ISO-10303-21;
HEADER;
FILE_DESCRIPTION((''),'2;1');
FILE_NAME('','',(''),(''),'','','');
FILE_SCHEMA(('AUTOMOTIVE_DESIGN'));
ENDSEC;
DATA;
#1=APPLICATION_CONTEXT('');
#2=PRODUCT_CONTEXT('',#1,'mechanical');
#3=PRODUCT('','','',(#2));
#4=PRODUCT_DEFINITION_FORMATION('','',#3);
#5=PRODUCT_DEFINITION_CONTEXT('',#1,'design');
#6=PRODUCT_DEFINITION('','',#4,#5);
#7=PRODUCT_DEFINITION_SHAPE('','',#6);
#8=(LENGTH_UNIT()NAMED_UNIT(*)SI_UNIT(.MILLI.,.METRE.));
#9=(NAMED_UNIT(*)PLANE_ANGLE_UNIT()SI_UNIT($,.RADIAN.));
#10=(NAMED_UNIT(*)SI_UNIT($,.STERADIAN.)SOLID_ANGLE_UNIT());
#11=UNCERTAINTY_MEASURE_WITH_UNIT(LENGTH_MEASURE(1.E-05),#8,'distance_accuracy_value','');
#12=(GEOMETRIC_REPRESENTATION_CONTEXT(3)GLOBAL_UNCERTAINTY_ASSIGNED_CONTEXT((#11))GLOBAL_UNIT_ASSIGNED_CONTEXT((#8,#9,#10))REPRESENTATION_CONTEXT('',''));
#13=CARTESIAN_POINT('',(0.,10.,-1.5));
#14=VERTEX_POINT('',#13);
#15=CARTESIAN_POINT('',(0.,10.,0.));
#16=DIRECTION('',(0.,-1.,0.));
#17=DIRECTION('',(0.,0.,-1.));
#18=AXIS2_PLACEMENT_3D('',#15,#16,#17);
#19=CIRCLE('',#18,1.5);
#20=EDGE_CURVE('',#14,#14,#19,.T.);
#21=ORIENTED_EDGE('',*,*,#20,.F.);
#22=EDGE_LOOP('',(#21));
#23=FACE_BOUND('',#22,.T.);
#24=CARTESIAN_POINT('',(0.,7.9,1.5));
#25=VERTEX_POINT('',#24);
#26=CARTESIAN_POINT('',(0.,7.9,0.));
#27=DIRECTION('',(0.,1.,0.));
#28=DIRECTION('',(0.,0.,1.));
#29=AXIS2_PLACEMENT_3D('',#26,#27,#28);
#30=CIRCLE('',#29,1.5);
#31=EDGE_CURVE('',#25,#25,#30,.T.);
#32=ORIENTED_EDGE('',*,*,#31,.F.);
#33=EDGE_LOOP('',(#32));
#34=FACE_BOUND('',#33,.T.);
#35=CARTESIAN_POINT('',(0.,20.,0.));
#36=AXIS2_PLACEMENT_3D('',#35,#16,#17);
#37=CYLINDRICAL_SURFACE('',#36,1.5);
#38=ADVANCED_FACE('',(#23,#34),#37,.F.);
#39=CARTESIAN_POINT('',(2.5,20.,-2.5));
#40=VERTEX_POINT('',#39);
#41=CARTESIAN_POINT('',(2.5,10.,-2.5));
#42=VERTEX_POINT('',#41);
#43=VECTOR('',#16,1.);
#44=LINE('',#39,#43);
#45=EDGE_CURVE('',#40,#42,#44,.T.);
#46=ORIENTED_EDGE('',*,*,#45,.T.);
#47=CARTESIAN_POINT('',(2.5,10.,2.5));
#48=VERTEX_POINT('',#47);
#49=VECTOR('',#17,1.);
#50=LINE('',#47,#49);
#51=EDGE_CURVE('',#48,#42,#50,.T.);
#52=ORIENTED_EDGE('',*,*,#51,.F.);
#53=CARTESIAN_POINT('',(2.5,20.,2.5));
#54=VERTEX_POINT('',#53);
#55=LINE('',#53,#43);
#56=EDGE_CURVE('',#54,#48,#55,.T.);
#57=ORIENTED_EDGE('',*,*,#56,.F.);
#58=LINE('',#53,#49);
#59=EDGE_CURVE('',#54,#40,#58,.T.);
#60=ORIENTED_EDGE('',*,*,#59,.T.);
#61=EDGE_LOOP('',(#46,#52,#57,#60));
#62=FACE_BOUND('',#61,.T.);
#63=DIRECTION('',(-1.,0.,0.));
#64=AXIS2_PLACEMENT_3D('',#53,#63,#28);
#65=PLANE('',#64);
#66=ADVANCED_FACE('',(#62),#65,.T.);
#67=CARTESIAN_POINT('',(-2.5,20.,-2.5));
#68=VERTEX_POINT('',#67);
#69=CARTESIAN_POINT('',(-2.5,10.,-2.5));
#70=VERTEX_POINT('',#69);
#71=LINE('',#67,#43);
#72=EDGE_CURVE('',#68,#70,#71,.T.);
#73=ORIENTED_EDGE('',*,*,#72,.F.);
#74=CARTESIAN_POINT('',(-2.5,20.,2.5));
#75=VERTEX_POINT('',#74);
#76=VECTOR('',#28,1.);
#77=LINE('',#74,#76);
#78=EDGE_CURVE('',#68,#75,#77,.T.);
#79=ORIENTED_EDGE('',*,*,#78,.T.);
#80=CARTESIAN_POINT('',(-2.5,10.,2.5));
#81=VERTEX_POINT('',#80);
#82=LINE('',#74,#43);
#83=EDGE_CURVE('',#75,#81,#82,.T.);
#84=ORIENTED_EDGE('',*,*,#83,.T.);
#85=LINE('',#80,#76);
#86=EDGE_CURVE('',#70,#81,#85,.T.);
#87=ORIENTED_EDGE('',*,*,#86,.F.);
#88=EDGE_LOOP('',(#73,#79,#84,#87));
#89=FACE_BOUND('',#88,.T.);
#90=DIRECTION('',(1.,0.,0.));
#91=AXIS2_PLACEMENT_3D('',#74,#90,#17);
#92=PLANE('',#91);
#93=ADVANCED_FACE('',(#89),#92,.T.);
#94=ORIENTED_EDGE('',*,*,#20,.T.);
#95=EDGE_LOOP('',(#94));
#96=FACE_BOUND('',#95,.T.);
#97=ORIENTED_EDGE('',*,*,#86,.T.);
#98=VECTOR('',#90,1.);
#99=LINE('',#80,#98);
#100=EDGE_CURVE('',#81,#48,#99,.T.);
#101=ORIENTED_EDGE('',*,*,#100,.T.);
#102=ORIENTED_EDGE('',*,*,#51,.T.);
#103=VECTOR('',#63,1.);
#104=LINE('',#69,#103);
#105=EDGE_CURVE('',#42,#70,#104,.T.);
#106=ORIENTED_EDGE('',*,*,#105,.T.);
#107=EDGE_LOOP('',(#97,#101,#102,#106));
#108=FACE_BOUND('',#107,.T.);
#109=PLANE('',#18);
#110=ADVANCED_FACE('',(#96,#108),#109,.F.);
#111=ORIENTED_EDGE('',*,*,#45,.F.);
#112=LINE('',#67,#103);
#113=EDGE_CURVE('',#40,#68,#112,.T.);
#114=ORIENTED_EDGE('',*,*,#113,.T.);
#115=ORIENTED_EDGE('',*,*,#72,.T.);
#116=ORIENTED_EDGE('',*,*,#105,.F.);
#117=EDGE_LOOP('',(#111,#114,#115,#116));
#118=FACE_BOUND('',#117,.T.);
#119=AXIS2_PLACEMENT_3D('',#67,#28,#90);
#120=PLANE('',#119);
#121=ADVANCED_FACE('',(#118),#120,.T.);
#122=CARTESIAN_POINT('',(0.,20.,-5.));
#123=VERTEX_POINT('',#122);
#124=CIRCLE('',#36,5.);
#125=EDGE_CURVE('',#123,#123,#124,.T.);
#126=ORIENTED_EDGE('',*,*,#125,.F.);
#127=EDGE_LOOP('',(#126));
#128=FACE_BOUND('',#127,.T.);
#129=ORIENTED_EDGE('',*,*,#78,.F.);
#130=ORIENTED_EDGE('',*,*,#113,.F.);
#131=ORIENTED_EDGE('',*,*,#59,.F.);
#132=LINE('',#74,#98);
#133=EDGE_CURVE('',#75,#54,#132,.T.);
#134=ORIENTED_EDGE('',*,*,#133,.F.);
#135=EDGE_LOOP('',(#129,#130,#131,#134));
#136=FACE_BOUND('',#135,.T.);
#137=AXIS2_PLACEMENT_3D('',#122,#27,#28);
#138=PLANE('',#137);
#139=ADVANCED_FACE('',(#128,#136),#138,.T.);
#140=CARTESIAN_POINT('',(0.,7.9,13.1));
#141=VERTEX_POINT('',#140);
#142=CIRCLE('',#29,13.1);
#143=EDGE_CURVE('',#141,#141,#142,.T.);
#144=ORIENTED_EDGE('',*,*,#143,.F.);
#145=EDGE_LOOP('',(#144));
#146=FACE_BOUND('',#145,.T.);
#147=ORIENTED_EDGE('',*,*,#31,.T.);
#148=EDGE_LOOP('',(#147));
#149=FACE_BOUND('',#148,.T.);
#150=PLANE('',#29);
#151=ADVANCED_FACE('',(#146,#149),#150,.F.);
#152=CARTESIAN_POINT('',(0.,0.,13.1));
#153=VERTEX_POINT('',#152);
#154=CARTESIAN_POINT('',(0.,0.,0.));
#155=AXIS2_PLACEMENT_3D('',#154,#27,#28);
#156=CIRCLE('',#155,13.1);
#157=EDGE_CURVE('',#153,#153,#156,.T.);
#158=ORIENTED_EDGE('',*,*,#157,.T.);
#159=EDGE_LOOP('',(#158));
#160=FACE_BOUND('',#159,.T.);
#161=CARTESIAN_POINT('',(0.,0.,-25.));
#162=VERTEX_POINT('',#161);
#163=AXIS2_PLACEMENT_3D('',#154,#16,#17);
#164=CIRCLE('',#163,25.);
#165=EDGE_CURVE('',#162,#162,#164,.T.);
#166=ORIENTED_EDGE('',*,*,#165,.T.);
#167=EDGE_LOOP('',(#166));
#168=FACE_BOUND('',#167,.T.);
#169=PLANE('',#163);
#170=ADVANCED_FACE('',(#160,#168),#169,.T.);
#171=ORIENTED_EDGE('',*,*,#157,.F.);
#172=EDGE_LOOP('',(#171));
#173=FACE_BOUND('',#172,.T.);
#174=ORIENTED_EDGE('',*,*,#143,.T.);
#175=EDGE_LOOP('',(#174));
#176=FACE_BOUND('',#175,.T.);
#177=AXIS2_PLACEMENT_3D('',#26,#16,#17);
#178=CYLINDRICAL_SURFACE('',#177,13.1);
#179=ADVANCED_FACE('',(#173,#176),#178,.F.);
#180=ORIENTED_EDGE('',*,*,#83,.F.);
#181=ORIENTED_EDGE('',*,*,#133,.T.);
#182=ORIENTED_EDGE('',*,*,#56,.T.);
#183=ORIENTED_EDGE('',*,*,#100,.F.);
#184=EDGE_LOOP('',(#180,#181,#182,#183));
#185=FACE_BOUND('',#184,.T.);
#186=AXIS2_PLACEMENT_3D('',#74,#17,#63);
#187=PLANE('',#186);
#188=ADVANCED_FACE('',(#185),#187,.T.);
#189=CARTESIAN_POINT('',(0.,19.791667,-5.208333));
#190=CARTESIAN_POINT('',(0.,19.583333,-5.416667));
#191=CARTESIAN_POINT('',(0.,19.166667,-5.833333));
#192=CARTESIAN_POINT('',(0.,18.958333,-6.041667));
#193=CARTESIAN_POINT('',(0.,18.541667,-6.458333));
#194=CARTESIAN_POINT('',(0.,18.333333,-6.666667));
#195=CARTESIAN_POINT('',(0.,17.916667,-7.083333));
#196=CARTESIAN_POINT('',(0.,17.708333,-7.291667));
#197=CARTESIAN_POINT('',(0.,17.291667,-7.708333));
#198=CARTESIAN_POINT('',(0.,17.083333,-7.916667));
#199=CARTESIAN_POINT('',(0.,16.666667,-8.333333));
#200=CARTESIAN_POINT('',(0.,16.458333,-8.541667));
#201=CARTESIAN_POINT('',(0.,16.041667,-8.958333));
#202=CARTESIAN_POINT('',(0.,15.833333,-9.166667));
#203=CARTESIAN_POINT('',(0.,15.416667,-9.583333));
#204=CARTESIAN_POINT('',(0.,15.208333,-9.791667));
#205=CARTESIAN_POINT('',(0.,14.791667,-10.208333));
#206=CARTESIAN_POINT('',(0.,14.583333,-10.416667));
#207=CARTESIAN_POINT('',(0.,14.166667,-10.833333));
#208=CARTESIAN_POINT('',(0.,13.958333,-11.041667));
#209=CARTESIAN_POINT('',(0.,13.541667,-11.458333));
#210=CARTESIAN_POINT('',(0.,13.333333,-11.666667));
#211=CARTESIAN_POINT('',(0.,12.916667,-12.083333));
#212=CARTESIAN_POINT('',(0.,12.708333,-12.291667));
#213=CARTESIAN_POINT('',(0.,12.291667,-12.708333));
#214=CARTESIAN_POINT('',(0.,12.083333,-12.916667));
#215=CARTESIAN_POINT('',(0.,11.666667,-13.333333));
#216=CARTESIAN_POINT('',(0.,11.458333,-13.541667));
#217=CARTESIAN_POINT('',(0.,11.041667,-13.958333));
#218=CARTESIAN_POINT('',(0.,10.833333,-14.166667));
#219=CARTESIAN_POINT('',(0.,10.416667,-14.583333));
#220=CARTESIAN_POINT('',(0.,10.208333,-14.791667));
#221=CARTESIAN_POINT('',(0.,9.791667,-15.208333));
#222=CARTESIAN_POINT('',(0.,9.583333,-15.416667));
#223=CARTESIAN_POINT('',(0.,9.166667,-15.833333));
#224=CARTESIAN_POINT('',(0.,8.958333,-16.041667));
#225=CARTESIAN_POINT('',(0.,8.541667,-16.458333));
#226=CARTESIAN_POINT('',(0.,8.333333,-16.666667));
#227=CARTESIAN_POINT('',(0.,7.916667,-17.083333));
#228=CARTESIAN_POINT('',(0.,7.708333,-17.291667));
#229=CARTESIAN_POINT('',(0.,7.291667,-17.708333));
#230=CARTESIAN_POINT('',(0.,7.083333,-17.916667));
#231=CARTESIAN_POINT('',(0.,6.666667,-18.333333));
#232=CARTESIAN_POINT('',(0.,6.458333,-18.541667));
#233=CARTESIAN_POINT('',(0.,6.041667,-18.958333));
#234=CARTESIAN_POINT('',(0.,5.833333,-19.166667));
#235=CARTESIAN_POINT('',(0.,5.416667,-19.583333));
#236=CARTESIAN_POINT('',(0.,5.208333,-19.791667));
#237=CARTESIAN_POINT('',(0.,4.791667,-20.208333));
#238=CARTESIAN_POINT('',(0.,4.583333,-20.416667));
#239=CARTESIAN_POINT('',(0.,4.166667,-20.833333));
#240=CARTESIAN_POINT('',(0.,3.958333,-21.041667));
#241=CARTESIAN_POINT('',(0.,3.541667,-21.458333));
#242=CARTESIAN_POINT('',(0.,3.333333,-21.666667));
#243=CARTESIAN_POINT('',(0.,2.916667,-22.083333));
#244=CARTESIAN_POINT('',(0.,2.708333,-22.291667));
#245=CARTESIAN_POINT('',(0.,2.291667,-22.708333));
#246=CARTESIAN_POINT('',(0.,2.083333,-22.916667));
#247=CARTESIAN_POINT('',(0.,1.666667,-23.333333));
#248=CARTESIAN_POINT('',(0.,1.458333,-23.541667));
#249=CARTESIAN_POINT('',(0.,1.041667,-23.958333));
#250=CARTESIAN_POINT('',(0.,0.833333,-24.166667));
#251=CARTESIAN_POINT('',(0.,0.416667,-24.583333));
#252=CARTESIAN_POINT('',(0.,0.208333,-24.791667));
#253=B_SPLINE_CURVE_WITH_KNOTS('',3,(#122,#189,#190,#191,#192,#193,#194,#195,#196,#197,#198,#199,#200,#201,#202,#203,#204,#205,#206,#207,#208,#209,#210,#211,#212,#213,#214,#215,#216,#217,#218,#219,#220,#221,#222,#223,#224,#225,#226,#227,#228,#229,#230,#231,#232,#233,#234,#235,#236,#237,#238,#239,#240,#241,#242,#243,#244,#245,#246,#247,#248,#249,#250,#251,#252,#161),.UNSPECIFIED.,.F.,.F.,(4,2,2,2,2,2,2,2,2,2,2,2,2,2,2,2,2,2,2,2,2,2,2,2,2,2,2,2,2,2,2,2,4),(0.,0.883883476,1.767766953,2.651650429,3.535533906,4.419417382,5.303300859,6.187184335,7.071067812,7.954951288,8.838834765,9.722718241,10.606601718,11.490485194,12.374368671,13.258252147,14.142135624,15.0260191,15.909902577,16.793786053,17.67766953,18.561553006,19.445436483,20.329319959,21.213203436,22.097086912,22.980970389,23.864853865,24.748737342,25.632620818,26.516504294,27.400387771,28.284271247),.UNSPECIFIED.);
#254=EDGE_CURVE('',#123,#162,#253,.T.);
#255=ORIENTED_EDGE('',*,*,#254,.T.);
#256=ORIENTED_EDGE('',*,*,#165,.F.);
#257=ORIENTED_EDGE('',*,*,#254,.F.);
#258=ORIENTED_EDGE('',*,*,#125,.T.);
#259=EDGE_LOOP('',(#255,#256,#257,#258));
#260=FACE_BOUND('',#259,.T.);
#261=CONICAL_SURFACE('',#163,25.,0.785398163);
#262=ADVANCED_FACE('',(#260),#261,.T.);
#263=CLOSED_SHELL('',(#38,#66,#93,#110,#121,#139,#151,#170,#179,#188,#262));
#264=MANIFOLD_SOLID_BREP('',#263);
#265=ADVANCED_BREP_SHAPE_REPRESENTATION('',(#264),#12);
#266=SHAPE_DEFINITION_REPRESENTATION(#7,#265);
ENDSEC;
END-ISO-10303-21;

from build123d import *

# Parameters (mm, degrees)
SKETCH2_R          = 1.5
CUT_EXTRUDE1_DEPTH = 41.620192023
CUT_EXTRUDE2_START = 10
SKETCH3_W          = 5
SKETCH3_H          = 5
CUT_EXTRUDE2_DEPTH = 31.620192023
SKETCH4_R          = 13.1
CUT_EXTRUDE3_DEPTH = 7.9


with BuildPart() as part:
    # Sketch1 → Revolve1 (revolve)
    with BuildSketch(Plane(origin=(0, 0, 0), x_dir=(0, 0, -1), z_dir=(1, 0, 0))):
        Polygon((0, 0), (25, 0), (5, 20), (0, 20), align=None)
    revolve(axis=Axis((0, 0, 0), (0, 1, 0)))

    # Sketch2 → Cut-Extrude1 (cut, through all)
    with BuildSketch(Plane(origin=(0, 0, 0), x_dir=(1, 0, 0), z_dir=(0, 1, 0))):
        with Locations(Location((0, 0, 0), (0, 0, 270))):
            Circle(SKETCH2_R)
    extrude(amount=CUT_EXTRUDE1_DEPTH, mode=Mode.SUBTRACT)

    # Sketch3 → Cut-Extrude2 (cut, through all)
    with BuildSketch(Plane(origin=(0, 0, 0), x_dir=(1, 0, 0), z_dir=(0, 1, 0)).offset(CUT_EXTRUDE2_START)):
        Rectangle(SKETCH3_W, SKETCH3_H)
    extrude(amount=CUT_EXTRUDE2_DEPTH, mode=Mode.SUBTRACT)

    # Sketch4 → Cut-Extrude3 (cut)
    with BuildSketch(Plane(origin=(0, 0, 0), x_dir=(1, 0, 0), z_dir=(0, 1, 0))):
        with Locations(Location((0, 0, 0), (0, 0, 270))):
            Circle(SKETCH4_R)
    extrude(amount=CUT_EXTRUDE3_DEPTH, mode=Mode.SUBTRACT)


solid = part.part
